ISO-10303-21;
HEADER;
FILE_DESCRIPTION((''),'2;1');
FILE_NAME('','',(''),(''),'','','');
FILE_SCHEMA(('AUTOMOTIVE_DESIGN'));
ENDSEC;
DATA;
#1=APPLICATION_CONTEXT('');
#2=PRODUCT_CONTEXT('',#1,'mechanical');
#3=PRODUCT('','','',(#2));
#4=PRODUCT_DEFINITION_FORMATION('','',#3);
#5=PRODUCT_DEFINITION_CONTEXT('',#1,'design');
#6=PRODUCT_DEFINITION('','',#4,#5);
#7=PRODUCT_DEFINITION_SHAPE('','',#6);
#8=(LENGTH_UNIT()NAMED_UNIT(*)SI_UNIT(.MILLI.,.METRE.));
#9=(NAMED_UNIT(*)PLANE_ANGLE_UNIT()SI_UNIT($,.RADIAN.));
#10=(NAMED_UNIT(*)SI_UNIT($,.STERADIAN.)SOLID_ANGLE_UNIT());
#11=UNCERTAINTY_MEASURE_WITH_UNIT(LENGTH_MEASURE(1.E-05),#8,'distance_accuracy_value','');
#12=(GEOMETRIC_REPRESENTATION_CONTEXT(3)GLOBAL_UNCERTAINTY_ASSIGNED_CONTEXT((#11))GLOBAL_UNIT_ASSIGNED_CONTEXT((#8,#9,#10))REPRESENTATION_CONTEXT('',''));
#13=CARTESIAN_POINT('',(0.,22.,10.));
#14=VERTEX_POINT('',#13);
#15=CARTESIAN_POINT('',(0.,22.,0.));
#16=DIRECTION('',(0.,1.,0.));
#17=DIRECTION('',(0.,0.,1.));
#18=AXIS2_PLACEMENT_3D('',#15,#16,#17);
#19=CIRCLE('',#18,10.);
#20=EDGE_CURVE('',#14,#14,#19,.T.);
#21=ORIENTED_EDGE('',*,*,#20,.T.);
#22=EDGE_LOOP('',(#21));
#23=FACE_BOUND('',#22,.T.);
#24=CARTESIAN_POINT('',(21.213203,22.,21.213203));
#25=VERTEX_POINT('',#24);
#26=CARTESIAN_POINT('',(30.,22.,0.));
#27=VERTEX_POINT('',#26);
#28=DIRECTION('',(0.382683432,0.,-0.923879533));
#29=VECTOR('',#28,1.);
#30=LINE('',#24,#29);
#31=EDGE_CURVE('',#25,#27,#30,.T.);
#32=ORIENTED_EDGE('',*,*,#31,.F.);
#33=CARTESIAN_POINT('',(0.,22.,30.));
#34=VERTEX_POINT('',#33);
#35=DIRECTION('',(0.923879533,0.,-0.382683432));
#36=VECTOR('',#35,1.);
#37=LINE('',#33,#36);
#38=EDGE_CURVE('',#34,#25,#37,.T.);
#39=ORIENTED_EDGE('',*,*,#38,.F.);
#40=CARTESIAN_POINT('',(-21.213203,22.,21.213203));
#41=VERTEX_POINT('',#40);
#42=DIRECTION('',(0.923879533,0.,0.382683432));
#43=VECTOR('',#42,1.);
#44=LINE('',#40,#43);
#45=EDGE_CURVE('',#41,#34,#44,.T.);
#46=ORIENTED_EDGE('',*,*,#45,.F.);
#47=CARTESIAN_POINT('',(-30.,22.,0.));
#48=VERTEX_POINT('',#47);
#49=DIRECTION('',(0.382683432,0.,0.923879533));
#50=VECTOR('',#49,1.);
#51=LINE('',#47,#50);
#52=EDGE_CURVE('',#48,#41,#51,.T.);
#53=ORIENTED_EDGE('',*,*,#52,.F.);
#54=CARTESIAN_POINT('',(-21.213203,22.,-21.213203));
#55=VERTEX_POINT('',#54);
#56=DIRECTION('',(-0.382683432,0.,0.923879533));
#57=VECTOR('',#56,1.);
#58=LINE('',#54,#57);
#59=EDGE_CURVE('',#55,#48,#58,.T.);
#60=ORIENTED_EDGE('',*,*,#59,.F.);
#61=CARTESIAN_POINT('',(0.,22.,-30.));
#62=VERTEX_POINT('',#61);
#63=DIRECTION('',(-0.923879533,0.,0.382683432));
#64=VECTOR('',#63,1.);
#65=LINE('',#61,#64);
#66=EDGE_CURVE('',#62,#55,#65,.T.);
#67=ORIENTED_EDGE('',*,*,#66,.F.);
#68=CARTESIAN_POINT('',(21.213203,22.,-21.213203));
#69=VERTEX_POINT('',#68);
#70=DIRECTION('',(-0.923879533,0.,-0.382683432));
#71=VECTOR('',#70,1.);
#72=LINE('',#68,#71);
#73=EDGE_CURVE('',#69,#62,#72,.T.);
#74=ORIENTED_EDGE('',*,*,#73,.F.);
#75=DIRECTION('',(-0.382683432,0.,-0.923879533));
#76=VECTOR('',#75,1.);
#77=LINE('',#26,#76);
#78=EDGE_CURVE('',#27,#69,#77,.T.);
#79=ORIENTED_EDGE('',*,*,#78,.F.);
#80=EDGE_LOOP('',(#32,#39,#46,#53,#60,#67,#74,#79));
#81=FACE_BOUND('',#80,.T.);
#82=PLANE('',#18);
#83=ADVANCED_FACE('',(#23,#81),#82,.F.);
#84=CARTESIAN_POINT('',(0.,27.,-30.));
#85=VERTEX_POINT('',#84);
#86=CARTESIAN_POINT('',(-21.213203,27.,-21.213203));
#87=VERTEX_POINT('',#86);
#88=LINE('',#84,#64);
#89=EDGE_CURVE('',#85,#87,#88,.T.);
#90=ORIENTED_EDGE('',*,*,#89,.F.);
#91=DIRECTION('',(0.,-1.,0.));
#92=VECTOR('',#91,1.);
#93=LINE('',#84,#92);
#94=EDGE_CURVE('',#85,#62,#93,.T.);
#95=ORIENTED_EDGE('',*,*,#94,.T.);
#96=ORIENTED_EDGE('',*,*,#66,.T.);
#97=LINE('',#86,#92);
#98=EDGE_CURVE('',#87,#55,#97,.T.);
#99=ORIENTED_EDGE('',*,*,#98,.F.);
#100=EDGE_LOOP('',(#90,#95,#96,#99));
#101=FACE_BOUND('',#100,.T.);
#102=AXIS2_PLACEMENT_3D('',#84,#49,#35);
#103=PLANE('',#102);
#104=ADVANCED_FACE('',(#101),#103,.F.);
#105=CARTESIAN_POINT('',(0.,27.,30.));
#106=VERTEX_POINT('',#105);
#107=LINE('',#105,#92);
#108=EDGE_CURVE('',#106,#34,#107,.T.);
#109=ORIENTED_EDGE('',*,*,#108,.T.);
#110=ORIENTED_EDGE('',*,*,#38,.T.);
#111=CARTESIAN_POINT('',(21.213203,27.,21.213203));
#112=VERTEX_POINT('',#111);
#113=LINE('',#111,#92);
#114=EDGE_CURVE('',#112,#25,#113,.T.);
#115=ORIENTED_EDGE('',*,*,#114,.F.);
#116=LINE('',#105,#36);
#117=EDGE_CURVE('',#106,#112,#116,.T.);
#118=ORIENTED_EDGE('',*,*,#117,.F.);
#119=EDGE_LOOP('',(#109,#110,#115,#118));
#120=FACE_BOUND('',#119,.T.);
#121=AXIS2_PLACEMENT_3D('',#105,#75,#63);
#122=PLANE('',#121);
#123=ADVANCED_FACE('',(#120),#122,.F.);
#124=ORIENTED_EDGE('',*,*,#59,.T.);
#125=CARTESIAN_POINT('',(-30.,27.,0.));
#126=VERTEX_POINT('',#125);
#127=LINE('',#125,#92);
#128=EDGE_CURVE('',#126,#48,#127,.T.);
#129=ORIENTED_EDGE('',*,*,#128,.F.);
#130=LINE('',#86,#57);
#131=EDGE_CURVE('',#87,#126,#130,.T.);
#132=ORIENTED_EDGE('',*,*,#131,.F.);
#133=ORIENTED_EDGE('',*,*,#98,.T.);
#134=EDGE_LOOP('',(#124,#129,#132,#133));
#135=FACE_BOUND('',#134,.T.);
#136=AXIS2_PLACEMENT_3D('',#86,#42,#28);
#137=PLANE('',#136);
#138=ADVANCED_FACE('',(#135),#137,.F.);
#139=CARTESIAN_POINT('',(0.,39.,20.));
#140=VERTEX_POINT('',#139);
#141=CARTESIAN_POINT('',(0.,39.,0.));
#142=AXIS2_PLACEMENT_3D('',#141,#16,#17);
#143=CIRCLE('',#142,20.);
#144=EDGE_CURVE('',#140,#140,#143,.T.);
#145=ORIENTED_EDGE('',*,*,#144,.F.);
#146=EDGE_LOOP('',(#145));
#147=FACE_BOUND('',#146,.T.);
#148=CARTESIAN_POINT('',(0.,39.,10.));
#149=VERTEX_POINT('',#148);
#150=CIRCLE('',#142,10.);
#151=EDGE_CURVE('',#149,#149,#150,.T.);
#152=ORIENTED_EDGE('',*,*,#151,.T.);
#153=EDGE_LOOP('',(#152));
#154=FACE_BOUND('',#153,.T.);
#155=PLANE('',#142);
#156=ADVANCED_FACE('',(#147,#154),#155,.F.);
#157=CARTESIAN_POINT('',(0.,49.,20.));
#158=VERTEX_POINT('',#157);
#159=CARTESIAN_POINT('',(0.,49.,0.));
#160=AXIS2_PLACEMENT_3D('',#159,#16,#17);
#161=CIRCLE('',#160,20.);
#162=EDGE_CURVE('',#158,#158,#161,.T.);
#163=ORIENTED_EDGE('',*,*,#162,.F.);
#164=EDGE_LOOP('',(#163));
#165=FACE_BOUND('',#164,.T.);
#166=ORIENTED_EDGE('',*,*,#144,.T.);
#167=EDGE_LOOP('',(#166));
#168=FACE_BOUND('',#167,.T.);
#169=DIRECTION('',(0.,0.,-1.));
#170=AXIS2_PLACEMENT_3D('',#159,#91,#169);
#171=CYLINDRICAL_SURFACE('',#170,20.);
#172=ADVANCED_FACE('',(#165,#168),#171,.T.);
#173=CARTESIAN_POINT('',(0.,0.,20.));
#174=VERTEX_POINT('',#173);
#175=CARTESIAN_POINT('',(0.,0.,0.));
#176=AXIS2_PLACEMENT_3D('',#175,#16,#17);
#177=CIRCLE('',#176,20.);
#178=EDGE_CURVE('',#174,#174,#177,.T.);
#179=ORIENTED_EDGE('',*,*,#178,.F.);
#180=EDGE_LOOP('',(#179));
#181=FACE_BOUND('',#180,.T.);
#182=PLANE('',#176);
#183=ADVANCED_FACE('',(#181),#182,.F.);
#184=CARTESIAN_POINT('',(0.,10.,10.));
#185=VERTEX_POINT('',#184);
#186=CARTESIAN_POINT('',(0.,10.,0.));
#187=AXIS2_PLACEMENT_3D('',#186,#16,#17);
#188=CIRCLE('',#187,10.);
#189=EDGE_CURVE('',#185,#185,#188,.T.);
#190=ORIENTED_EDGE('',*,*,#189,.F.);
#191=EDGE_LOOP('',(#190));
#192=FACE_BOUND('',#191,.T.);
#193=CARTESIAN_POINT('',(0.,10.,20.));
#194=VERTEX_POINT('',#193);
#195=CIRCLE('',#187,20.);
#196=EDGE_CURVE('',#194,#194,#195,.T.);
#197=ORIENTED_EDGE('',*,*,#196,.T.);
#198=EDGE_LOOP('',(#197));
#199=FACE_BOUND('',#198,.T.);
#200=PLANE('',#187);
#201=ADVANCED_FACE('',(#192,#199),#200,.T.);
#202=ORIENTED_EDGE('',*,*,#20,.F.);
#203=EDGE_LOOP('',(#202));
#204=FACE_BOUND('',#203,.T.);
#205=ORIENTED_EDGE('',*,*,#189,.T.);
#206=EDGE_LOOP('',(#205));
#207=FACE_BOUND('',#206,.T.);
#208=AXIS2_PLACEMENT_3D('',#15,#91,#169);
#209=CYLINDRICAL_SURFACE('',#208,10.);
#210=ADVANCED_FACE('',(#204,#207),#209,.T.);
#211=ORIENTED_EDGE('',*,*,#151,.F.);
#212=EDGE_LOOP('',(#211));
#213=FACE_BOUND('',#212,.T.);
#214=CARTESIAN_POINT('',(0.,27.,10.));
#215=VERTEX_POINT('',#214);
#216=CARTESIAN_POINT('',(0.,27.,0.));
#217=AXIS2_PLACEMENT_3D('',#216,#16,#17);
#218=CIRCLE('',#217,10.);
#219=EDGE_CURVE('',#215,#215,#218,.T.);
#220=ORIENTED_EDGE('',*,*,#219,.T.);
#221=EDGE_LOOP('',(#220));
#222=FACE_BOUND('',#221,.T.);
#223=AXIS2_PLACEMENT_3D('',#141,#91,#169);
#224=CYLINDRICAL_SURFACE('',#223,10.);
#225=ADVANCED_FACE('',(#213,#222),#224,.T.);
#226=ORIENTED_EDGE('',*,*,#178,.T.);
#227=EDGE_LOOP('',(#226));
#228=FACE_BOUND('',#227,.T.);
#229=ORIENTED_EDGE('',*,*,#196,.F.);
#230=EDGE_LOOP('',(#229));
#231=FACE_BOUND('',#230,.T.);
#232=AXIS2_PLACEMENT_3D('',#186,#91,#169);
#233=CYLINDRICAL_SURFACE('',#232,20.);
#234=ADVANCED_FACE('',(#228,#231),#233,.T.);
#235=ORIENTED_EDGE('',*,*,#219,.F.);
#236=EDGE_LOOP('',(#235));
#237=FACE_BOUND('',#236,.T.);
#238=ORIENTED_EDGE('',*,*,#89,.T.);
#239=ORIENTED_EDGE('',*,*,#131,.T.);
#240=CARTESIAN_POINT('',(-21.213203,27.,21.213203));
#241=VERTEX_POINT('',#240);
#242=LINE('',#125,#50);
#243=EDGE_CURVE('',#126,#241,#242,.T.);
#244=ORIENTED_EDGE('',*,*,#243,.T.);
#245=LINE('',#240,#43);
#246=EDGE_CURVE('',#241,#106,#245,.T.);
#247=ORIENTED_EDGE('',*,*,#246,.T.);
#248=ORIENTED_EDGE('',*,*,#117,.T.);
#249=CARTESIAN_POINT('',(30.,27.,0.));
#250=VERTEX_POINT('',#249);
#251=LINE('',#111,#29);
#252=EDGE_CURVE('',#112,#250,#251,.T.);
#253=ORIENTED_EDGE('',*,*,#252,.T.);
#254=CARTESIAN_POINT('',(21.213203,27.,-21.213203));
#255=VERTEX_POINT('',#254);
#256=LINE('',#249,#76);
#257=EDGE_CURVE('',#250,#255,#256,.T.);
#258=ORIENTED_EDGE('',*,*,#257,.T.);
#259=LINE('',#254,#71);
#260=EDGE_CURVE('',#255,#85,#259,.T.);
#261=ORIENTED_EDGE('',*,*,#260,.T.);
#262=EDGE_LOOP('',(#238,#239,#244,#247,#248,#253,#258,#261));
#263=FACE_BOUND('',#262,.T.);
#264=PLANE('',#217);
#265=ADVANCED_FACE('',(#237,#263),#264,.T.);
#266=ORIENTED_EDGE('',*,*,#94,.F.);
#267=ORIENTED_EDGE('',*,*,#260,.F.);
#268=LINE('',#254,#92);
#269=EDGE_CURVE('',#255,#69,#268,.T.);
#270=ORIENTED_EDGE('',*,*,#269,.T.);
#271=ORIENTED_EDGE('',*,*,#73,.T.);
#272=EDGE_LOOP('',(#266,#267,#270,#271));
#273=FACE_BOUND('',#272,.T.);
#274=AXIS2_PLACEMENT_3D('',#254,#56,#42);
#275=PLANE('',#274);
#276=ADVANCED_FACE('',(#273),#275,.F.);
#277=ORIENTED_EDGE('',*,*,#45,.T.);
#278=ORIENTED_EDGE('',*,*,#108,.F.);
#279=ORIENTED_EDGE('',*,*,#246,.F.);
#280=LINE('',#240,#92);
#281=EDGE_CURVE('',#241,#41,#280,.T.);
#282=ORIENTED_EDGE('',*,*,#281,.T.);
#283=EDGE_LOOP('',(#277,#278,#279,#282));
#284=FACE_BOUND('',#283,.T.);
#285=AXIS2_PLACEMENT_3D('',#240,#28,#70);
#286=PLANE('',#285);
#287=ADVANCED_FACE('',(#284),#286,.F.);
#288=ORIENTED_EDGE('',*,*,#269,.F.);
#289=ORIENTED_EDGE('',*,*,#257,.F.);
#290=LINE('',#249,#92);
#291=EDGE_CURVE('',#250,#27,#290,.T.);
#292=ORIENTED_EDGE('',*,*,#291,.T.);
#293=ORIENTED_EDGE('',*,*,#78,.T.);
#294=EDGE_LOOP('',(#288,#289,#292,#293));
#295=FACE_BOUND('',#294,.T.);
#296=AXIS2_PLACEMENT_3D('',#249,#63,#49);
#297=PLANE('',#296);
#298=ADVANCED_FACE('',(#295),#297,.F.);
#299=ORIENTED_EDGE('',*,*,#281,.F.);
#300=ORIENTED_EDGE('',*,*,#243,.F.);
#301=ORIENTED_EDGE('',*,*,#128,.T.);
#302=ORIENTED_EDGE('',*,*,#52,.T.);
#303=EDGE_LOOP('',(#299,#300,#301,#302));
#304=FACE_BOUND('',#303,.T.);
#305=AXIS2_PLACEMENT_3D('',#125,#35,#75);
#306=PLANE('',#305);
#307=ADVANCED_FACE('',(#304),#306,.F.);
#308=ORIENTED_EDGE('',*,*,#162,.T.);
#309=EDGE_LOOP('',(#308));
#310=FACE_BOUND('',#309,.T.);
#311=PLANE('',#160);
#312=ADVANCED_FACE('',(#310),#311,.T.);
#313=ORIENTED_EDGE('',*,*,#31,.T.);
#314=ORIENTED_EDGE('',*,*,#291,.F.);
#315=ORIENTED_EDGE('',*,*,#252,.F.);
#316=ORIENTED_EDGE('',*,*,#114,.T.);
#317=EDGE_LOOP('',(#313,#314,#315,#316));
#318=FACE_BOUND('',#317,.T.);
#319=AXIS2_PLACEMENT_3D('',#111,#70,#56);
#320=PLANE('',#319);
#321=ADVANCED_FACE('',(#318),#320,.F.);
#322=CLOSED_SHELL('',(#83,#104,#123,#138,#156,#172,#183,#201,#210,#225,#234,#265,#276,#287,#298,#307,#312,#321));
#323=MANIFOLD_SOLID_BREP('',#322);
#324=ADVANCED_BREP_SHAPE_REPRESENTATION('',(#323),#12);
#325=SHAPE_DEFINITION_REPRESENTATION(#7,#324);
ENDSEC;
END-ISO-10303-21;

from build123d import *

# Parameters (mm, degrees)
SKETCH2_R           = 20
BOSS_EXTRUDE1_DEPTH = 10
SKETCH3_R           = 10
BOSS_EXTRUDE2_DEPTH = 12
BOSS_EXTRUDE3_DEPTH = 5
SKETCH5_R           = 10
BOSS_EXTRUDE4_DEPTH = 12
SKETCH6_R           = 20
BOSS_EXTRUDE5_DEPTH = 10


with BuildPart() as part:
    # Sketch2 → Boss-Extrude1 (new body)
    with BuildSketch(Plane(origin=(0, 0, 0), x_dir=(1, 0, 0), z_dir=(0, 1, 0))):
        with Locations(Location((0, 0, 0), (0, 0, 270))):
            Circle(SKETCH2_R)
    extrude(amount=BOSS_EXTRUDE1_DEPTH)

    # Sketch3 → Boss-Extrude2 (add)
    with BuildSketch(Plane(origin=(0, 10, 0), x_dir=(1, 0, 0), z_dir=(0, 1, 0))):
        with Locations(Location((0, 0, 0), (0, 0, 270))):
            Circle(SKETCH3_R)
    extrude(amount=BOSS_EXTRUDE2_DEPTH)

    # Sketch4 → Boss-Extrude3 (add)
    with BuildSketch(Plane(origin=(0, 22, 0), x_dir=(1, 0, 0), z_dir=(0, 1, 0))):
        Polygon((30, 0), (21.213203436, 21.213203436), (0, 30), (-21.213203436, 21.213203436), (-30, 0), (-21.213203436, -21.213203436), (0, -30), (21.213203436, -21.213203436), align=None)
    extrude(amount=BOSS_EXTRUDE3_DEPTH)

    # Sketch5 → Boss-Extrude4 (add)
    with BuildSketch(Plane(origin=(0, 27, 0), x_dir=(1, 0, 0), z_dir=(0, 1, 0))):
        with Locations(Location((0, 0, 0), (0, 0, 270))):
            Circle(SKETCH5_R)
    extrude(amount=BOSS_EXTRUDE4_DEPTH)

    # Sketch6 → Boss-Extrude5 (add)
    with BuildSketch(Plane(origin=(0, 39, 0), x_dir=(1, 0, 0), z_dir=(0, 1, 0))):
        with Locations(Location((0, 0, 0), (0, 0, 270))):
            Circle(SKETCH6_R)
    extrude(amount=BOSS_EXTRUDE5_DEPTH)


solid = part.part
